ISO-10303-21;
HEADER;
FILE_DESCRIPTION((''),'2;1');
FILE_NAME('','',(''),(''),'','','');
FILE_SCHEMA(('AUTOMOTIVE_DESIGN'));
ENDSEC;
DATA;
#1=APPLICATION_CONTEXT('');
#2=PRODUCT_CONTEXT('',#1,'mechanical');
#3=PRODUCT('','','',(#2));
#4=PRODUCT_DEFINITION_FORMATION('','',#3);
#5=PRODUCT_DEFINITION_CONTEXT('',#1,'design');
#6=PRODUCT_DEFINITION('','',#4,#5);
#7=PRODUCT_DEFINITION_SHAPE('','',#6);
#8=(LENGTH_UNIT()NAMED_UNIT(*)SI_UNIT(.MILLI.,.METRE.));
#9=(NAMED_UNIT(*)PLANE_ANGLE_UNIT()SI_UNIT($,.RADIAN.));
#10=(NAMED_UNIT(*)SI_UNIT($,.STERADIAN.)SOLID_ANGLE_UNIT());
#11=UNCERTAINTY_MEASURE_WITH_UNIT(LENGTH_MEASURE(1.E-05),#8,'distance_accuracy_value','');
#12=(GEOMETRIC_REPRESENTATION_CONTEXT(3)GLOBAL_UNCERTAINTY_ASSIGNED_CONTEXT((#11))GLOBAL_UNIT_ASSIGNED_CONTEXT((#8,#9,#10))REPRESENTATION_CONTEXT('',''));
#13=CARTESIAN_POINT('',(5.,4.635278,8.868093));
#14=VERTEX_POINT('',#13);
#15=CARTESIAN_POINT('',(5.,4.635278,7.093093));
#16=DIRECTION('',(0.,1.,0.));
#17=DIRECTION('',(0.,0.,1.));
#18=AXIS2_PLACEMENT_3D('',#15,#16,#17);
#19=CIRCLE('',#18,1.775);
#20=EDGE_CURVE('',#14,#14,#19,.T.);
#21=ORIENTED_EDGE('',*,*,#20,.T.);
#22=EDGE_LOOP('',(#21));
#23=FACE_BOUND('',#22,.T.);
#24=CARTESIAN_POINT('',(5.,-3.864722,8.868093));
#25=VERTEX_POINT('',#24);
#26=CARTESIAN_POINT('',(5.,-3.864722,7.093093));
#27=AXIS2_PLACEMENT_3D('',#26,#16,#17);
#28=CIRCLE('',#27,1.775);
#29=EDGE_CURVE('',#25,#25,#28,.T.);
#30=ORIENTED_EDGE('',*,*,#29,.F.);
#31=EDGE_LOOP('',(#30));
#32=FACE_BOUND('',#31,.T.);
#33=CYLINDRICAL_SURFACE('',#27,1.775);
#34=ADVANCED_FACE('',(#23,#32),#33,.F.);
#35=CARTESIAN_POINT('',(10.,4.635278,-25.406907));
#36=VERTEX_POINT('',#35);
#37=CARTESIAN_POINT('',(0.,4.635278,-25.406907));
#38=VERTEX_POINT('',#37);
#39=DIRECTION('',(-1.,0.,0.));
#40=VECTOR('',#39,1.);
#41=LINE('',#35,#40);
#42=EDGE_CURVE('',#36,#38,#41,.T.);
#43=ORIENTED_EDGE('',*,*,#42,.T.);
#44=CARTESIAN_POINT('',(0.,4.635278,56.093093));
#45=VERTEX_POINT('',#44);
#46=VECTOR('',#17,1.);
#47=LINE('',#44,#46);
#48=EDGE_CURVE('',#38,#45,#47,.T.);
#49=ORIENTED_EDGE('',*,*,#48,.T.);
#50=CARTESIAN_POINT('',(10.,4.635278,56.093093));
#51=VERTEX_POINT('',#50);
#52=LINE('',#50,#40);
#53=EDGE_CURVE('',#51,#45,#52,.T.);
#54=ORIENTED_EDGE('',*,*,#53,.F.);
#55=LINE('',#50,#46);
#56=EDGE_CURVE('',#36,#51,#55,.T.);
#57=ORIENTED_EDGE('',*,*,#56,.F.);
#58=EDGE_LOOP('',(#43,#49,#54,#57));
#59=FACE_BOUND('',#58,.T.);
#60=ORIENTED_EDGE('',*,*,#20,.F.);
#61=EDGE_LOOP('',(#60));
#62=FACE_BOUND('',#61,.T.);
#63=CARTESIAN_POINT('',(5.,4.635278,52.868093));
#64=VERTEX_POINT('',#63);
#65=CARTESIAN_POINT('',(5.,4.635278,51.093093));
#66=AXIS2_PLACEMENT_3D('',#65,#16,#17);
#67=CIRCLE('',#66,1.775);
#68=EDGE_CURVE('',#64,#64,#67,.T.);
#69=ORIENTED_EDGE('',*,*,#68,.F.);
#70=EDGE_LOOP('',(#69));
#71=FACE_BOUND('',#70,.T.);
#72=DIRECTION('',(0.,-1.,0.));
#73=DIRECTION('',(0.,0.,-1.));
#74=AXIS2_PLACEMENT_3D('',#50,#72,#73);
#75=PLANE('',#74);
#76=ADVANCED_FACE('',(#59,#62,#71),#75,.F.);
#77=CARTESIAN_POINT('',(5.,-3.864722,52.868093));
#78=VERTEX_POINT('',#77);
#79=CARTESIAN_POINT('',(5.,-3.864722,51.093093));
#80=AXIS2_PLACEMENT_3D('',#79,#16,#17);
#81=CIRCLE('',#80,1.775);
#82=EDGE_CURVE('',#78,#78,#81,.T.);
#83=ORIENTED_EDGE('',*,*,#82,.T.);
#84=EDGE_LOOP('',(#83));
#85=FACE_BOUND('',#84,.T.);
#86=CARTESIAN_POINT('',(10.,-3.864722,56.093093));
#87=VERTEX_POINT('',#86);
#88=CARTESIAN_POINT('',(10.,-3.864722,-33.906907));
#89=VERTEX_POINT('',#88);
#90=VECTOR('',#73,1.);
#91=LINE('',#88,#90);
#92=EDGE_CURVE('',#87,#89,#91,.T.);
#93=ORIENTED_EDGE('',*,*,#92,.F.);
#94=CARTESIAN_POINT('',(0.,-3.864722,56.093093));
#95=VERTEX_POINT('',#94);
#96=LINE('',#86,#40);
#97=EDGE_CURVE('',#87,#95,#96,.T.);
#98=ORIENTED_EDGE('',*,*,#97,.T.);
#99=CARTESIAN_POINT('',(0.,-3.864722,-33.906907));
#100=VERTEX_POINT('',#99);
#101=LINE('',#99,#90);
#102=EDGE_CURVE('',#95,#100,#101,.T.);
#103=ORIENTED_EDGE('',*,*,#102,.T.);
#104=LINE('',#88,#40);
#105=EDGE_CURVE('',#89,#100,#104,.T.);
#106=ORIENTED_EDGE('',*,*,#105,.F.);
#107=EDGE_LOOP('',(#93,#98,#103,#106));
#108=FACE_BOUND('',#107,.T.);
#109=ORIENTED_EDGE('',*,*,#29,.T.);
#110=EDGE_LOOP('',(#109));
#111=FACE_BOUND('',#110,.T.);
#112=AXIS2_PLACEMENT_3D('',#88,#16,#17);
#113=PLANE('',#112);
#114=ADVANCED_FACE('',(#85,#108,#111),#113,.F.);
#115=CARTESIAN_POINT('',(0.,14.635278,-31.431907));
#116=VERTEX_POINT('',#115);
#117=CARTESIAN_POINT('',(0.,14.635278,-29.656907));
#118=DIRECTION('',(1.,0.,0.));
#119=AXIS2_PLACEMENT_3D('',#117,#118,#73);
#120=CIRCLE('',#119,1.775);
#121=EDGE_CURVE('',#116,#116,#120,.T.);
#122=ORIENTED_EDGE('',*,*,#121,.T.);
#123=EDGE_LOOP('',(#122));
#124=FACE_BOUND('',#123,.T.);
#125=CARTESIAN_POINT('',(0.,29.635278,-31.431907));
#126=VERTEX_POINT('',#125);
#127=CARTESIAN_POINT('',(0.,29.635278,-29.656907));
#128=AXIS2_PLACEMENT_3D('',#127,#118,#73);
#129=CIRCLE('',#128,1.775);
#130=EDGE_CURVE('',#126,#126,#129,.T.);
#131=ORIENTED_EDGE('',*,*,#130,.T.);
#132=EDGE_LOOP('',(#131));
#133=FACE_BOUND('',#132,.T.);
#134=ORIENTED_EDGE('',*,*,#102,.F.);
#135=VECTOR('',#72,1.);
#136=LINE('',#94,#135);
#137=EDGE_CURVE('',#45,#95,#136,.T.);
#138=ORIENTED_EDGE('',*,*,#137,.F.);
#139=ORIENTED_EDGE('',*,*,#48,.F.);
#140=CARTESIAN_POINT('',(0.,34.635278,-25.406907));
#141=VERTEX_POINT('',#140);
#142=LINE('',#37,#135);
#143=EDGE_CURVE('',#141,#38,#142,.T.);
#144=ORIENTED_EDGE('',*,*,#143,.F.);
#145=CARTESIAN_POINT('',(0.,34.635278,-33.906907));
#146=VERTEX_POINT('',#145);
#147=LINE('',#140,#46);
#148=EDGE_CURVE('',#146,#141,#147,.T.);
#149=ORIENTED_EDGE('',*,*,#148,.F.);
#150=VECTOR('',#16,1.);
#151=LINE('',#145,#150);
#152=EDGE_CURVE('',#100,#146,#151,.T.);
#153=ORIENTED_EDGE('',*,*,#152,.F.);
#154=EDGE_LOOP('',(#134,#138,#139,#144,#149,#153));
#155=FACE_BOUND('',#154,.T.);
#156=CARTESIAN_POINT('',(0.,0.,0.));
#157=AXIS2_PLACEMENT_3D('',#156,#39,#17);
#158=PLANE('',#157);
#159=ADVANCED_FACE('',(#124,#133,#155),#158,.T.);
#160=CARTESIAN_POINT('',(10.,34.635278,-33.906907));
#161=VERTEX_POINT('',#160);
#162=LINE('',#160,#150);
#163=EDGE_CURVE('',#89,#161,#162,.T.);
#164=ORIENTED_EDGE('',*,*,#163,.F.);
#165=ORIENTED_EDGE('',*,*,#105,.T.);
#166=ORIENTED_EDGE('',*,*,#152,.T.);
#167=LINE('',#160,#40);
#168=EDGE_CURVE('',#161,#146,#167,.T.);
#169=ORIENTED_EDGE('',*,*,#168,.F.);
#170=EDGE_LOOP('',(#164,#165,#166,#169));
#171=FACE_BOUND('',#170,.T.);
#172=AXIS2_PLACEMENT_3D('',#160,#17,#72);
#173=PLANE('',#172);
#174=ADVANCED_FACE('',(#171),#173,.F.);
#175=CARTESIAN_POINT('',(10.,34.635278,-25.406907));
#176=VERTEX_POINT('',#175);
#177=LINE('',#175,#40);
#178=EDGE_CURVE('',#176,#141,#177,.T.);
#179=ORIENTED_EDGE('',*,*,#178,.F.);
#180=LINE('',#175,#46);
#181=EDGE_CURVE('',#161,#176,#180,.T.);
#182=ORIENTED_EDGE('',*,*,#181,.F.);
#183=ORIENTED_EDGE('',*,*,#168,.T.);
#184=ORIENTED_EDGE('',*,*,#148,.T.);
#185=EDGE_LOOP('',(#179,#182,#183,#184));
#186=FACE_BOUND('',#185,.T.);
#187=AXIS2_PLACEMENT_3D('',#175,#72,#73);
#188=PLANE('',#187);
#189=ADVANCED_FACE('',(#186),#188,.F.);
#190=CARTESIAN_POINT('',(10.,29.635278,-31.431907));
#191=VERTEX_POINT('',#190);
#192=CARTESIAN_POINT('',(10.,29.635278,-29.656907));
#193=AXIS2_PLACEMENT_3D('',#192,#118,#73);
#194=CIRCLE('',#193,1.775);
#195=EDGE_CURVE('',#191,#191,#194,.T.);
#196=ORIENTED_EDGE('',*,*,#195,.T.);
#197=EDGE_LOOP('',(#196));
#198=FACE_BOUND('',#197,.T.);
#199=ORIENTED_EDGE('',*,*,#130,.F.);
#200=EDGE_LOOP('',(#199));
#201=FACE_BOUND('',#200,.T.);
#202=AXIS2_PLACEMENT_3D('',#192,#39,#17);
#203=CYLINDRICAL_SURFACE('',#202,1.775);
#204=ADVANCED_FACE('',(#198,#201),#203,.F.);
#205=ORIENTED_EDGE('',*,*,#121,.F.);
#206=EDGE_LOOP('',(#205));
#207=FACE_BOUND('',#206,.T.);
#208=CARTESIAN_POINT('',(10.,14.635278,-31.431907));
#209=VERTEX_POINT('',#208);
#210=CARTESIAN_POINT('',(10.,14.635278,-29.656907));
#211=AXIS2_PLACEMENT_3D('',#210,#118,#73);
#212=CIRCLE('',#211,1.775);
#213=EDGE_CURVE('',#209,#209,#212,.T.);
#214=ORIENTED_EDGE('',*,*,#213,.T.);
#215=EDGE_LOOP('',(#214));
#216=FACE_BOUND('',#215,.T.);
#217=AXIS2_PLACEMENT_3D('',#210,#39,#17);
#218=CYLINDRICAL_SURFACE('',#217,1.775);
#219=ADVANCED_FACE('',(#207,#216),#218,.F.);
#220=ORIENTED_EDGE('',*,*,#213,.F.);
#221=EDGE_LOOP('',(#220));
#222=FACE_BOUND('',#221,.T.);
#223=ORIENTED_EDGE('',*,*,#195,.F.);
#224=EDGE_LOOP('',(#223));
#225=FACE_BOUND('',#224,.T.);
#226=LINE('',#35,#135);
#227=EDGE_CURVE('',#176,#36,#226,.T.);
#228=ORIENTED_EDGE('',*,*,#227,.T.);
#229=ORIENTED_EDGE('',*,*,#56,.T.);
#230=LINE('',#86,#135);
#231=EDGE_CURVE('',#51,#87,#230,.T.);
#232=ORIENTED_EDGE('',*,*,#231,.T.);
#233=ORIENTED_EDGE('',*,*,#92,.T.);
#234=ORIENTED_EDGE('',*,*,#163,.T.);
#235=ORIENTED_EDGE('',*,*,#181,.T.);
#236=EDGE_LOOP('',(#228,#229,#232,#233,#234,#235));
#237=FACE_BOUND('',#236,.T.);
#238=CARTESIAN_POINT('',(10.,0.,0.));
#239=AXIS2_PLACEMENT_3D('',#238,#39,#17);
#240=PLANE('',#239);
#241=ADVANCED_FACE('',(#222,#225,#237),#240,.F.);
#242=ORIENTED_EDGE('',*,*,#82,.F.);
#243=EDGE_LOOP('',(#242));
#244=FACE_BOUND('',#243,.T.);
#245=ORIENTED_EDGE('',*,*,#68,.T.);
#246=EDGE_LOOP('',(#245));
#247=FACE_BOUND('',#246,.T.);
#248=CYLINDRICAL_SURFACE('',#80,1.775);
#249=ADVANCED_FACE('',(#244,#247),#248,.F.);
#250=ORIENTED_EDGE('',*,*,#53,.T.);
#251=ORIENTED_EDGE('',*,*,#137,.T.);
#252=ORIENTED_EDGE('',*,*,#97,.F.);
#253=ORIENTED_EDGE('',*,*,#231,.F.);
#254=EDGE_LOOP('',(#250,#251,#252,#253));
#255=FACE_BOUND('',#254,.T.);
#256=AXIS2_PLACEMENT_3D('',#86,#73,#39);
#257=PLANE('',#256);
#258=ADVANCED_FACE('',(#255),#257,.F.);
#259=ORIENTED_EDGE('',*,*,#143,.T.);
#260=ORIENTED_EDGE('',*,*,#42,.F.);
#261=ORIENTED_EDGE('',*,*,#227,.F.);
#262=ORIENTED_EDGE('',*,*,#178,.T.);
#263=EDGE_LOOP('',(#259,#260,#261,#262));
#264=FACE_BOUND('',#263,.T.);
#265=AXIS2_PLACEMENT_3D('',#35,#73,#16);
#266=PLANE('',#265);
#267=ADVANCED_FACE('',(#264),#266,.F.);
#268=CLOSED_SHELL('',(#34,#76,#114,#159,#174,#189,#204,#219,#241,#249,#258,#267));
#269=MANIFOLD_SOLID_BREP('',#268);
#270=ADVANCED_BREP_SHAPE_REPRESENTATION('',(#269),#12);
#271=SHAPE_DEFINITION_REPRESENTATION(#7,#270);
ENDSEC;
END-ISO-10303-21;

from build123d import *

# Parameters (mm, degrees)
SKETCH1_R           = 1.775
BOSS_EXTRUDE1_DEPTH = 10
SKETCH2_R           = 1.775
CUT_EXTRUDE1_DEPTH  = 65.392818275


with BuildPart() as part:
    # Sketch1 → Boss-Extrude1 (new body)
    with BuildSketch(Plane(origin=(0, 0, 0), x_dir=(0, 0, -1), z_dir=(1, 0, 0))):
        Polygon((-56.093092672, 4.635278297), (25.406907328, 4.635278297), (25.406907328, 34.635278297), (33.906907328, 34.635278297), (33.906907328, -3.864721703), (-56.093092672, -3.864721703), align=None)
        with Locations((29.656907328, 14.635278297)):
            Circle(SKETCH1_R, mode=Mode.SUBTRACT)
        with Locations((29.656907328, 29.635278297)):
            Circle(SKETCH1_R, mode=Mode.SUBTRACT)
    extrude(amount=BOSS_EXTRUDE1_DEPTH)

    # Sketch2 → Cut-Extrude1 (cut, through all)
    with BuildSketch(Plane(origin=(0, 4.635278297, 0), x_dir=(1, 0, 0), z_dir=(0, 1, 0))):
        with Locations(Location((5, -51.093092672, 0), (0, 0, 270))):
            Circle(SKETCH2_R)
        with Locations(Location((5, -7.093092672, 0), (0, 0, 270))):
            Circle(SKETCH2_R)
    extrude(amount=-CUT_EXTRUDE1_DEPTH, mode=Mode.SUBTRACT)


solid = part.part
